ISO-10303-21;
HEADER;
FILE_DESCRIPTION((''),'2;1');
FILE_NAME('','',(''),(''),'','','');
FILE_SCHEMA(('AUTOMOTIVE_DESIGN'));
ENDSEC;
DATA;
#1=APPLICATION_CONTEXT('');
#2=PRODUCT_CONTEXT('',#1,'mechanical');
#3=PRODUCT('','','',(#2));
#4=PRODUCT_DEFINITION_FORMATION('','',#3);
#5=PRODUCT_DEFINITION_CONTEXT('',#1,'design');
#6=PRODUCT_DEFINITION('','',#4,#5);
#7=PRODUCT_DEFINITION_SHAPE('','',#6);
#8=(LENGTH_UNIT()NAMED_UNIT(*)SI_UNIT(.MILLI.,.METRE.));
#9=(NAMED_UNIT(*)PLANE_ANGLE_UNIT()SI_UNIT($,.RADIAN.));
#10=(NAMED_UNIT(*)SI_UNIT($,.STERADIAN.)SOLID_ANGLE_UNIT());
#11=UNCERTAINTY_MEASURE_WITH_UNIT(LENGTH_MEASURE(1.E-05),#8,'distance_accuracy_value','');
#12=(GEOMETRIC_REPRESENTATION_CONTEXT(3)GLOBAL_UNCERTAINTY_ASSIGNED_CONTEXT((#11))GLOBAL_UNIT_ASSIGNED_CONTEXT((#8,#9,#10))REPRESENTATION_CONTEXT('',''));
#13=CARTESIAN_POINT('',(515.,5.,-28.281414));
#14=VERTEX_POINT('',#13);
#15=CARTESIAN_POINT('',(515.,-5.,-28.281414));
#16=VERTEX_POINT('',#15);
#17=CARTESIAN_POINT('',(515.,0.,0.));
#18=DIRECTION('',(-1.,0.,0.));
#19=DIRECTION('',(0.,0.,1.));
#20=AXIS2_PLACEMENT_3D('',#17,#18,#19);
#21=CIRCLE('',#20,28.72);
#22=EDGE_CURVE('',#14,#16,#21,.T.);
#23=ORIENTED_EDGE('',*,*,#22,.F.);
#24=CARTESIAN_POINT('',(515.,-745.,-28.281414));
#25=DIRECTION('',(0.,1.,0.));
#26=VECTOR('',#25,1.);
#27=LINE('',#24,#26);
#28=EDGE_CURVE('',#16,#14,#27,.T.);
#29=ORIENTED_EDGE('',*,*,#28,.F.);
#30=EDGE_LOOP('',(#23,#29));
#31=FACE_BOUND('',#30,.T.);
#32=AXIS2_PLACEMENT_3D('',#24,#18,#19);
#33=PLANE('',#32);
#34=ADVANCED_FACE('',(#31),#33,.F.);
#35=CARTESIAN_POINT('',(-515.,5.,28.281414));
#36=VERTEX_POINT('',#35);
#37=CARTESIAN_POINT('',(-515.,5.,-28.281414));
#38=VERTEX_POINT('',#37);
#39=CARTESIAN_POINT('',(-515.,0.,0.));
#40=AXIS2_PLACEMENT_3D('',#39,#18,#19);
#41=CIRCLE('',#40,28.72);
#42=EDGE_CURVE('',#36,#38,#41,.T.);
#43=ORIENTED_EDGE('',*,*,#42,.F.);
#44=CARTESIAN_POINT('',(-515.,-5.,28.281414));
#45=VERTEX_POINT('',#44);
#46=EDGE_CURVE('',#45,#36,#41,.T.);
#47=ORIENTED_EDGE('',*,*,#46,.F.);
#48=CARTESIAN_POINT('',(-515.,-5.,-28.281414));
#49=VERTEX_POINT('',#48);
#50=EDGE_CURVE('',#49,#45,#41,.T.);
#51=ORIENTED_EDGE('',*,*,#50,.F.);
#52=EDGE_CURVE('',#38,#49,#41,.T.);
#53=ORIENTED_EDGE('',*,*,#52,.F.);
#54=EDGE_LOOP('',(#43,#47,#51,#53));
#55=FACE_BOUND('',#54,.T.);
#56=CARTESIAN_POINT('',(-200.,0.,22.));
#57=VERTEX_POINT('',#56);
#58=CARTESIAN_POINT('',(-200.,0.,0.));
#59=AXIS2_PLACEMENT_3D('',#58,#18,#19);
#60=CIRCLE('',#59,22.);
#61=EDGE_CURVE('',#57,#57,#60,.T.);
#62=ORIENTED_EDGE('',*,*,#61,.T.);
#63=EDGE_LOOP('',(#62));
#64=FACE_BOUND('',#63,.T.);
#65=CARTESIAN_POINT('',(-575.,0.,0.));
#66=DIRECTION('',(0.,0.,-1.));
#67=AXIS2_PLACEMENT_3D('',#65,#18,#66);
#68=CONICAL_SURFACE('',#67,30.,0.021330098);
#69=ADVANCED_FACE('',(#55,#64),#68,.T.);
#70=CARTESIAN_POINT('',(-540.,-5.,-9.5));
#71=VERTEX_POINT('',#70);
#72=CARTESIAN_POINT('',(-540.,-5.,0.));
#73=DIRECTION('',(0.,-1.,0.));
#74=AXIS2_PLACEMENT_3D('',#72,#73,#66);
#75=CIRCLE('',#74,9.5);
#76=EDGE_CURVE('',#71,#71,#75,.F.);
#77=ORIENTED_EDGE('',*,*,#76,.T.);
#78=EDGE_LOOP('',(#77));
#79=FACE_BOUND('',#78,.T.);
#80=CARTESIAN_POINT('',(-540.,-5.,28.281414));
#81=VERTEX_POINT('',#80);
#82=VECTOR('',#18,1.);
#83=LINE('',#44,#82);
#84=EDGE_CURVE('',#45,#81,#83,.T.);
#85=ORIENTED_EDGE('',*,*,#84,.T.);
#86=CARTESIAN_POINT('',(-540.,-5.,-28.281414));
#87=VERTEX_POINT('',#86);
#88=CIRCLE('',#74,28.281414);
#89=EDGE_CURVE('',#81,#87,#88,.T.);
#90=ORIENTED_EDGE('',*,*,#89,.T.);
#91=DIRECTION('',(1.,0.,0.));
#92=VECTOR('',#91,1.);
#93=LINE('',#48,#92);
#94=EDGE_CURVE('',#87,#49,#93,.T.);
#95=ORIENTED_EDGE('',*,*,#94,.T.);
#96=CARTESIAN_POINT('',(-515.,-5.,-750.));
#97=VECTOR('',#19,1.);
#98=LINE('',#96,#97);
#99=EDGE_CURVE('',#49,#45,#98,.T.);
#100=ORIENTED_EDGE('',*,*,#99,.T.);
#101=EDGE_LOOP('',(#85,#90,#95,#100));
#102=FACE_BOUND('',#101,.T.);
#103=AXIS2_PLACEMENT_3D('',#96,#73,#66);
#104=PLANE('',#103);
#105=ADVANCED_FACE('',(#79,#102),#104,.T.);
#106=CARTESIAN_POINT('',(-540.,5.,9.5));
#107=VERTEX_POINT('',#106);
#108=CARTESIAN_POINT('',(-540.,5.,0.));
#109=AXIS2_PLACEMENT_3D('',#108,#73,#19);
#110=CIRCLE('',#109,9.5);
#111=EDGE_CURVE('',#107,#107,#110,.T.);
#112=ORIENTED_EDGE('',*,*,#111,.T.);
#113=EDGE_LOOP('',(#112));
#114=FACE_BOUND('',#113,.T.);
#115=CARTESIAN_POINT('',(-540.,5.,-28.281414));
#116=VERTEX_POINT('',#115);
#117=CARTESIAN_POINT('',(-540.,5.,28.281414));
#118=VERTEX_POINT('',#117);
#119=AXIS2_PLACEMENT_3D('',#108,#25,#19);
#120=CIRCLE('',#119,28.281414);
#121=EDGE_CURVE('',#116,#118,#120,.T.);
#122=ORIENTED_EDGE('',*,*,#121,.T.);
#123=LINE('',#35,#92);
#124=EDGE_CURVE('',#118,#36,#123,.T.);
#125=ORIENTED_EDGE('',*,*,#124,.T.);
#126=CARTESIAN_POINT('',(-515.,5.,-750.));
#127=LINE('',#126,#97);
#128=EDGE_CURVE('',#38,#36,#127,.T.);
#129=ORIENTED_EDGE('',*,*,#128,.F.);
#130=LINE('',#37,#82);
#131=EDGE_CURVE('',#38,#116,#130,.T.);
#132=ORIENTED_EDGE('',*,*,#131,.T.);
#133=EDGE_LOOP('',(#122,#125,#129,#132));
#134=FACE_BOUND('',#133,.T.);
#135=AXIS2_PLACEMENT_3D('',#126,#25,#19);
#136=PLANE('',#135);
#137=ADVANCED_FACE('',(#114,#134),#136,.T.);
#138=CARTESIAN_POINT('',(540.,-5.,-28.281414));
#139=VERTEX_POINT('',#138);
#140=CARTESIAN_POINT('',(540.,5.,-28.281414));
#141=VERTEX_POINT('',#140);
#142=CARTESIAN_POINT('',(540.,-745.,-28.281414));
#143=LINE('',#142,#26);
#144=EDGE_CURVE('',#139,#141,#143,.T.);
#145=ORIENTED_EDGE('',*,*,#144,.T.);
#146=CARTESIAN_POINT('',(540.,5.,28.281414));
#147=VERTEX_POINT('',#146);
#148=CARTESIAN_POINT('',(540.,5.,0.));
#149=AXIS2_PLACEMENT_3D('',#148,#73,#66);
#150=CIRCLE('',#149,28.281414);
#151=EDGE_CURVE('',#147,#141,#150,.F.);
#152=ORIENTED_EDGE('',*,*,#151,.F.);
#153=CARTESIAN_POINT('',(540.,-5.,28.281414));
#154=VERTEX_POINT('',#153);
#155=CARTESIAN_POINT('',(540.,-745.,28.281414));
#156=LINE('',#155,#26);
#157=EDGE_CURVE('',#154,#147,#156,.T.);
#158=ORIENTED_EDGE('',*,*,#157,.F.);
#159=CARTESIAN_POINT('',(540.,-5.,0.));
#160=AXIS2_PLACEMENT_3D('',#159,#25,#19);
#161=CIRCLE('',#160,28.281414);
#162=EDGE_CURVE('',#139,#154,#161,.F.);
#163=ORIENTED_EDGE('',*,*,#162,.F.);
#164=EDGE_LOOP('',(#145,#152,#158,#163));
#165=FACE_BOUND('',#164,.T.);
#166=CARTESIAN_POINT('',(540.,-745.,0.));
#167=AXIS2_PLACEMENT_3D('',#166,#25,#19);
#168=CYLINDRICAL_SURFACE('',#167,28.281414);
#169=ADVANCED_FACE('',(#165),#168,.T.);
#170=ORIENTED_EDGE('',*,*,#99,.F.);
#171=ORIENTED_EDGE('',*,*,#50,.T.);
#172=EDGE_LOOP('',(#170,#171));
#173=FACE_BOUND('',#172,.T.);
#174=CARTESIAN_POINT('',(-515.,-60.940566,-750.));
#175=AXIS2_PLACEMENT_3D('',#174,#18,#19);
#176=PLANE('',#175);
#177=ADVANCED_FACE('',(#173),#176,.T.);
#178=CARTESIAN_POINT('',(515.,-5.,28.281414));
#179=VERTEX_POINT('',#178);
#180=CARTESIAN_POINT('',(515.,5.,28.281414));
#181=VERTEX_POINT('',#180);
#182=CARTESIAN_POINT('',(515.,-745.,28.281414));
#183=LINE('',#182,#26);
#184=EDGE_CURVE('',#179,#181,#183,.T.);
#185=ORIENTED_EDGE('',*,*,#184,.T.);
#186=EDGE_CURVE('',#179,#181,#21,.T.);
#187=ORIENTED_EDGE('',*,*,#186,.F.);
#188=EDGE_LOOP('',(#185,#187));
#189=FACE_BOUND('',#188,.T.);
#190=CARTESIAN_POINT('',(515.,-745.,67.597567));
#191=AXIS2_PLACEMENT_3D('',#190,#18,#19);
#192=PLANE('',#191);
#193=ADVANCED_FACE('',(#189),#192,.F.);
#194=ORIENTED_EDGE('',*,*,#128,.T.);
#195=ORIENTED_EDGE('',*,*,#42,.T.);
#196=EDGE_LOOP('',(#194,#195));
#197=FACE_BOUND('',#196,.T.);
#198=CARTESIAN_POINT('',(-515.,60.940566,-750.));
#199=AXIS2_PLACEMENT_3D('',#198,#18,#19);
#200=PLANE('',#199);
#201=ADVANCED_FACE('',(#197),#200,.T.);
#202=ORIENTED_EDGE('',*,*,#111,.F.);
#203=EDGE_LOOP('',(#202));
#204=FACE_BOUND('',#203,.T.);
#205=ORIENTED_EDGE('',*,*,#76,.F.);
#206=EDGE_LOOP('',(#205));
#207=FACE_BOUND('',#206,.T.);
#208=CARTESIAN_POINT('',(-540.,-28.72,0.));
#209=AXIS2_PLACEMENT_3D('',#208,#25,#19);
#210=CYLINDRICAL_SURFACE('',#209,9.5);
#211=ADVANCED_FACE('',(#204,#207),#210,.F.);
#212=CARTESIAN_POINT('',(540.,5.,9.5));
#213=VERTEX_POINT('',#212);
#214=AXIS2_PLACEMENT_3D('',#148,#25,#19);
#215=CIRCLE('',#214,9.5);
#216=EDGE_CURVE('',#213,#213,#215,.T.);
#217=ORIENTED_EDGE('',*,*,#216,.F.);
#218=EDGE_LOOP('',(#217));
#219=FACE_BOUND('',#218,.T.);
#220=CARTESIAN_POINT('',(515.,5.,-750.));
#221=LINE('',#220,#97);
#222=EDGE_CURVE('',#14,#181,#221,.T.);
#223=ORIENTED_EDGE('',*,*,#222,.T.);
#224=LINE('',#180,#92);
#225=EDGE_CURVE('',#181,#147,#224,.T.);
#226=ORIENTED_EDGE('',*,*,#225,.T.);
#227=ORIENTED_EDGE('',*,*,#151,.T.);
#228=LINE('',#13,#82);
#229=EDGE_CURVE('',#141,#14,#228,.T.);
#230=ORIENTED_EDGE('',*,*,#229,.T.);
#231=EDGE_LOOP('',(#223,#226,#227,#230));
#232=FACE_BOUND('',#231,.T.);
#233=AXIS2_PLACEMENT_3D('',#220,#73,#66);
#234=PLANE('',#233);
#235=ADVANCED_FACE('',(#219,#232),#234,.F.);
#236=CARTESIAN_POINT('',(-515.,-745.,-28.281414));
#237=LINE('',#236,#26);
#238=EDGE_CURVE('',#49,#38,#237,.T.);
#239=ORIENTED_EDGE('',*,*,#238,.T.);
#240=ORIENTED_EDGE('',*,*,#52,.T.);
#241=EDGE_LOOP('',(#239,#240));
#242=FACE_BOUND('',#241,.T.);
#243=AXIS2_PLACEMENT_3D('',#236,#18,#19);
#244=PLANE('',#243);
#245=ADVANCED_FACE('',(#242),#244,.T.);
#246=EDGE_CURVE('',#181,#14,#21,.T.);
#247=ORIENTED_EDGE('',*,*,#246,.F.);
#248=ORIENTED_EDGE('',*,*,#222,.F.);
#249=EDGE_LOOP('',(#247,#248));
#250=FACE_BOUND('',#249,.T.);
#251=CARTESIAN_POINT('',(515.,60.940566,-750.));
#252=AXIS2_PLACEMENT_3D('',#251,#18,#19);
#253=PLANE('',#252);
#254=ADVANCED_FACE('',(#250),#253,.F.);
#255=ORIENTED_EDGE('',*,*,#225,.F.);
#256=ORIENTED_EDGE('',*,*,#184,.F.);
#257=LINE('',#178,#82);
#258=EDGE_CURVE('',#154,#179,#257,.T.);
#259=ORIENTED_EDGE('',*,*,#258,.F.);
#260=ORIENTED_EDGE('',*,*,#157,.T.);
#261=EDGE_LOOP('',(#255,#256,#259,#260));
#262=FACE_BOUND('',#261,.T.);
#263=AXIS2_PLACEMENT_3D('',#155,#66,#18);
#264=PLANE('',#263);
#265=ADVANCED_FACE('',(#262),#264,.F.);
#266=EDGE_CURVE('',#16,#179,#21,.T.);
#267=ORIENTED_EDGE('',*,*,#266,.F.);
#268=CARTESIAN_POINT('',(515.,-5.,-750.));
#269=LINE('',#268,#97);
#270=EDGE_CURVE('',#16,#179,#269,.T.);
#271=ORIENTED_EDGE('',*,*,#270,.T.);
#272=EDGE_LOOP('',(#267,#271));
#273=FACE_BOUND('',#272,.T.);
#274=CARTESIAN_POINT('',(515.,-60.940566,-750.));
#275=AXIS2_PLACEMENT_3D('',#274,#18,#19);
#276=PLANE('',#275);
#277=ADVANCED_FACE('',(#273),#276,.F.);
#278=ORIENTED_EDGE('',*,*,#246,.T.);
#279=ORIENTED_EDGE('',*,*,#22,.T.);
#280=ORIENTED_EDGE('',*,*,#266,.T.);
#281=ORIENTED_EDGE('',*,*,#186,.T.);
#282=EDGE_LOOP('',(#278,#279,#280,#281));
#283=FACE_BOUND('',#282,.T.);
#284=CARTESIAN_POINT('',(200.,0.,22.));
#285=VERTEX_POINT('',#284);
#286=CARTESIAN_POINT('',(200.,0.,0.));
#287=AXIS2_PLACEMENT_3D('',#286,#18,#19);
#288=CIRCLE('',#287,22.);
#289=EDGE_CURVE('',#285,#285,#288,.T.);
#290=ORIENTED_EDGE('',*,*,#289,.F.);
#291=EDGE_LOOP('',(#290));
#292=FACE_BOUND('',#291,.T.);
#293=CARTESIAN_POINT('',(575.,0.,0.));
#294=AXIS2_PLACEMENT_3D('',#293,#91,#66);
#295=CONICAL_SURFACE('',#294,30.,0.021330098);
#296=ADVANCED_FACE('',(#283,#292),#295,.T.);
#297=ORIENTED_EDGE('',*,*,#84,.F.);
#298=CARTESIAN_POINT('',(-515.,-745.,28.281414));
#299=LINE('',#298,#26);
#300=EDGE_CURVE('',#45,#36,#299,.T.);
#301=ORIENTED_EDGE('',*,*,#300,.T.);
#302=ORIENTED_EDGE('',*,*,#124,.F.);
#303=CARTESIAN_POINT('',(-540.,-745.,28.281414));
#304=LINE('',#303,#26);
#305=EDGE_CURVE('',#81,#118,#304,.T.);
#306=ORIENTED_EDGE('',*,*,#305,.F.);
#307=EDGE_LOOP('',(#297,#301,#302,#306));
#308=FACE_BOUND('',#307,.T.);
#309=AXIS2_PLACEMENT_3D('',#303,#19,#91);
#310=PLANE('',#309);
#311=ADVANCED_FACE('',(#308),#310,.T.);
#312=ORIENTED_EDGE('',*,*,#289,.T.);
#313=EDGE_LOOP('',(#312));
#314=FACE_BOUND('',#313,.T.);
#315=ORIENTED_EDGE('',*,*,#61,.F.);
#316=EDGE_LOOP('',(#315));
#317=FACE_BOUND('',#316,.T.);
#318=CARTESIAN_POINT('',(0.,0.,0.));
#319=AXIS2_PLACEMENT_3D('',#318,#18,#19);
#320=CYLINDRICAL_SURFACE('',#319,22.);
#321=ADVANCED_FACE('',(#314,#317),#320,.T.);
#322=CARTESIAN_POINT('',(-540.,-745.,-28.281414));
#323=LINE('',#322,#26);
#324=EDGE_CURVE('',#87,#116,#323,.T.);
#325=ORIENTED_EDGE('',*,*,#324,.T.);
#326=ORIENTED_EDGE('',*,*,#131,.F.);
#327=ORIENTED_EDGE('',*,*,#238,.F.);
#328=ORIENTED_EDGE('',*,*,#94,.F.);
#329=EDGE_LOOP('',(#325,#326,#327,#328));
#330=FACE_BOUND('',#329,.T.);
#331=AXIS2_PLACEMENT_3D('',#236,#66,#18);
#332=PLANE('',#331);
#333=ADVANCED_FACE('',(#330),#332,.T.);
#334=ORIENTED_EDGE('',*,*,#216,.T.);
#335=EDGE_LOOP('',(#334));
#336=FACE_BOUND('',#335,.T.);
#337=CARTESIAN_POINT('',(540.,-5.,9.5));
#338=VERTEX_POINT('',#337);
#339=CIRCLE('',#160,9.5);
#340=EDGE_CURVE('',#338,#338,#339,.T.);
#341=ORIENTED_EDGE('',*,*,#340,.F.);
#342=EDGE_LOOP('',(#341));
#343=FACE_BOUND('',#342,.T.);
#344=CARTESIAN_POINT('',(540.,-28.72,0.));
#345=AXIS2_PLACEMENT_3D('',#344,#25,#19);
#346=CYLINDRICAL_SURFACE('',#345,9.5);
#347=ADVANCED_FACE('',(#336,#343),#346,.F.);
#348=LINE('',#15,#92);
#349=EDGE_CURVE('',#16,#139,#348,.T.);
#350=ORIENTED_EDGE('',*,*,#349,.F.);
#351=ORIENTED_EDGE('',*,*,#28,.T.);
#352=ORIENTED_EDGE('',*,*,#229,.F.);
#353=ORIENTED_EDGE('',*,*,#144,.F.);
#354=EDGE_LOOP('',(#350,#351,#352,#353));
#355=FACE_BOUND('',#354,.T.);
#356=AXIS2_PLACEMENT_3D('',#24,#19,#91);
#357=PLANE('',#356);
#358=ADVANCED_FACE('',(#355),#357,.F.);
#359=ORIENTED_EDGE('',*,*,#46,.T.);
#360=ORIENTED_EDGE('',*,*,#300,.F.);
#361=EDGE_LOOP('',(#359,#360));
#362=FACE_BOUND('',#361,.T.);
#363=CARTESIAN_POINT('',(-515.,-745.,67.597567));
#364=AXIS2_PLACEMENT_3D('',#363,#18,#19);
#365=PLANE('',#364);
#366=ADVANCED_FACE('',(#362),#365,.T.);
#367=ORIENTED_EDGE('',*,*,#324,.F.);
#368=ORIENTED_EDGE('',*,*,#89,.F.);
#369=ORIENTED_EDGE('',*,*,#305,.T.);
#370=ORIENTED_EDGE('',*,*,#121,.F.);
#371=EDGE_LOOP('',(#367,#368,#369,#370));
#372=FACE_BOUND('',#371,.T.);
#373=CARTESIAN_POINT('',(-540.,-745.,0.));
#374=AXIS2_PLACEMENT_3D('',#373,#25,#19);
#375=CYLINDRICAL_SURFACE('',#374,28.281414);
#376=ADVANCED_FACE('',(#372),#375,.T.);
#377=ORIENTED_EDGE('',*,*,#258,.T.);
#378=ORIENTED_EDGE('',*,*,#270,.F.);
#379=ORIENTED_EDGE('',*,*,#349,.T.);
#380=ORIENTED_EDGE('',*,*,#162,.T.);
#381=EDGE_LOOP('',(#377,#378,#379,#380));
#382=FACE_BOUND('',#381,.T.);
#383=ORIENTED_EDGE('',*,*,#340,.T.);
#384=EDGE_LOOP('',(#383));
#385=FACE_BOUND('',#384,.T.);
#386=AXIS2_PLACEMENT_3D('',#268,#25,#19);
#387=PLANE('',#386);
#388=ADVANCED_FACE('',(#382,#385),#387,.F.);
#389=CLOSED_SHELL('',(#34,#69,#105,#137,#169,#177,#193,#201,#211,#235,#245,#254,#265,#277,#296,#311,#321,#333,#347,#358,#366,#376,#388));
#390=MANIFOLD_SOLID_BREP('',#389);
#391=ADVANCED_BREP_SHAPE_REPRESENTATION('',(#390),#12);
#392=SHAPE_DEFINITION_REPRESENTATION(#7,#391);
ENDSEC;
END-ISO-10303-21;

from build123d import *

# Parameters (mm, degrees)
SKETCH2_W          = 128.615835123
SKETCH2_H          = 55.94056642
CUT_EXTRUDE1_DEPTH = 750
CUT_EXTRUDE2_DEPTH = 750
SKETCH4_R          = 9.5
CUT_EXTRUDE3_DEPTH = 571.004949753


with BuildPart() as part:
    # Sketch1 → Revolve1 (revolve)
    with BuildSketch(Plane(origin=(0, 0, 0), x_dir=(1, 0, 0), z_dir=(0, 1, 0)), mode=Mode.PRIVATE) as revolve1_sk:
        Polygon((0, 0), (575, 0), (575, 30), (200, 22), (0, 22), align=None)
    revolve1 = revolve(revolve1_sk.sketch.rotate(Axis((0, 0, 0), (1, 0, 0)), 180), axis=Axis((0, 0, 0), (1, 0, 0)))

    # Sketch2 → Cut-Extrude1 (cut, symmetric)
    with BuildSketch(Plane.XY):
        with Locations((579.307917562, -32.97028321)):
            Rectangle(SKETCH2_W, SKETCH2_H)
        with Locations((579.307917562, 32.97028321)):
            Rectangle(SKETCH2_W, SKETCH2_H)
    cut_extrude1 = extrude(amount=CUT_EXTRUDE1_DEPTH, both=True, mode=Mode.SUBTRACT)

    # Sketch3 → Cut-Extrude2 (cut, symmetric)
    with BuildSketch(Plane(origin=(0, 5, 0), x_dir=(1, 0, 0), z_dir=(0, 1, 0))):
        with BuildLine():
            Line((515, 28.281414392), (540, 28.281414392))
            ThreePointArc((540, 28.281414392), (568.281414392, 0), (540, -28.281414392))
            Line((540, -28.281414392), (515, -28.281414392))
            Line((515, -28.281414392), (515, -67.597566928))
            Line((515, -67.597566928), (604.606661549, -67.597566928))
            Line((604.606661549, -67.597566928), (604.606661549, 61.560196149))
            Line((604.606661549, 61.560196149), (515, 61.560196149))
            Line((515, 61.560196149), (515, 28.281414392))
        make_face()
    cut_extrude2 = extrude(amount=CUT_EXTRUDE2_DEPTH, both=True, mode=Mode.SUBTRACT)

    # Sketch4 → Cut-Extrude3 (cut, through all)
    with BuildSketch(Plane(origin=(0, 5, 0), x_dir=(1, 0, 0), z_dir=(0, 1, 0))):
        with Locations(Location((540, 0, 0), (0, 0, 270))):
            Circle(SKETCH4_R)
    cut_extrude3 = extrude(amount=-CUT_EXTRUDE3_DEPTH, mode=Mode.SUBTRACT)

    # Mirror2: Revolve1, Cut-Extrude1, Cut-Extrude2, Cut-Extrude3 across plane
    add(revolve1.mirror(Plane(origin=(0, 0, -22), x_dir=(0, 0, 1), z_dir=(1, 0, 0))))
    add(cut_extrude1.mirror(Plane(origin=(0, 0, -22), x_dir=(0, 0, 1), z_dir=(1, 0, 0))), mode=Mode.SUBTRACT)
    add(cut_extrude2.mirror(Plane(origin=(0, 0, -22), x_dir=(0, 0, 1), z_dir=(1, 0, 0))), mode=Mode.SUBTRACT)
    add(cut_extrude3.mirror(Plane(origin=(0, 0, -22), x_dir=(0, 0, 1), z_dir=(1, 0, 0))), mode=Mode.SUBTRACT)


solid = part.part
